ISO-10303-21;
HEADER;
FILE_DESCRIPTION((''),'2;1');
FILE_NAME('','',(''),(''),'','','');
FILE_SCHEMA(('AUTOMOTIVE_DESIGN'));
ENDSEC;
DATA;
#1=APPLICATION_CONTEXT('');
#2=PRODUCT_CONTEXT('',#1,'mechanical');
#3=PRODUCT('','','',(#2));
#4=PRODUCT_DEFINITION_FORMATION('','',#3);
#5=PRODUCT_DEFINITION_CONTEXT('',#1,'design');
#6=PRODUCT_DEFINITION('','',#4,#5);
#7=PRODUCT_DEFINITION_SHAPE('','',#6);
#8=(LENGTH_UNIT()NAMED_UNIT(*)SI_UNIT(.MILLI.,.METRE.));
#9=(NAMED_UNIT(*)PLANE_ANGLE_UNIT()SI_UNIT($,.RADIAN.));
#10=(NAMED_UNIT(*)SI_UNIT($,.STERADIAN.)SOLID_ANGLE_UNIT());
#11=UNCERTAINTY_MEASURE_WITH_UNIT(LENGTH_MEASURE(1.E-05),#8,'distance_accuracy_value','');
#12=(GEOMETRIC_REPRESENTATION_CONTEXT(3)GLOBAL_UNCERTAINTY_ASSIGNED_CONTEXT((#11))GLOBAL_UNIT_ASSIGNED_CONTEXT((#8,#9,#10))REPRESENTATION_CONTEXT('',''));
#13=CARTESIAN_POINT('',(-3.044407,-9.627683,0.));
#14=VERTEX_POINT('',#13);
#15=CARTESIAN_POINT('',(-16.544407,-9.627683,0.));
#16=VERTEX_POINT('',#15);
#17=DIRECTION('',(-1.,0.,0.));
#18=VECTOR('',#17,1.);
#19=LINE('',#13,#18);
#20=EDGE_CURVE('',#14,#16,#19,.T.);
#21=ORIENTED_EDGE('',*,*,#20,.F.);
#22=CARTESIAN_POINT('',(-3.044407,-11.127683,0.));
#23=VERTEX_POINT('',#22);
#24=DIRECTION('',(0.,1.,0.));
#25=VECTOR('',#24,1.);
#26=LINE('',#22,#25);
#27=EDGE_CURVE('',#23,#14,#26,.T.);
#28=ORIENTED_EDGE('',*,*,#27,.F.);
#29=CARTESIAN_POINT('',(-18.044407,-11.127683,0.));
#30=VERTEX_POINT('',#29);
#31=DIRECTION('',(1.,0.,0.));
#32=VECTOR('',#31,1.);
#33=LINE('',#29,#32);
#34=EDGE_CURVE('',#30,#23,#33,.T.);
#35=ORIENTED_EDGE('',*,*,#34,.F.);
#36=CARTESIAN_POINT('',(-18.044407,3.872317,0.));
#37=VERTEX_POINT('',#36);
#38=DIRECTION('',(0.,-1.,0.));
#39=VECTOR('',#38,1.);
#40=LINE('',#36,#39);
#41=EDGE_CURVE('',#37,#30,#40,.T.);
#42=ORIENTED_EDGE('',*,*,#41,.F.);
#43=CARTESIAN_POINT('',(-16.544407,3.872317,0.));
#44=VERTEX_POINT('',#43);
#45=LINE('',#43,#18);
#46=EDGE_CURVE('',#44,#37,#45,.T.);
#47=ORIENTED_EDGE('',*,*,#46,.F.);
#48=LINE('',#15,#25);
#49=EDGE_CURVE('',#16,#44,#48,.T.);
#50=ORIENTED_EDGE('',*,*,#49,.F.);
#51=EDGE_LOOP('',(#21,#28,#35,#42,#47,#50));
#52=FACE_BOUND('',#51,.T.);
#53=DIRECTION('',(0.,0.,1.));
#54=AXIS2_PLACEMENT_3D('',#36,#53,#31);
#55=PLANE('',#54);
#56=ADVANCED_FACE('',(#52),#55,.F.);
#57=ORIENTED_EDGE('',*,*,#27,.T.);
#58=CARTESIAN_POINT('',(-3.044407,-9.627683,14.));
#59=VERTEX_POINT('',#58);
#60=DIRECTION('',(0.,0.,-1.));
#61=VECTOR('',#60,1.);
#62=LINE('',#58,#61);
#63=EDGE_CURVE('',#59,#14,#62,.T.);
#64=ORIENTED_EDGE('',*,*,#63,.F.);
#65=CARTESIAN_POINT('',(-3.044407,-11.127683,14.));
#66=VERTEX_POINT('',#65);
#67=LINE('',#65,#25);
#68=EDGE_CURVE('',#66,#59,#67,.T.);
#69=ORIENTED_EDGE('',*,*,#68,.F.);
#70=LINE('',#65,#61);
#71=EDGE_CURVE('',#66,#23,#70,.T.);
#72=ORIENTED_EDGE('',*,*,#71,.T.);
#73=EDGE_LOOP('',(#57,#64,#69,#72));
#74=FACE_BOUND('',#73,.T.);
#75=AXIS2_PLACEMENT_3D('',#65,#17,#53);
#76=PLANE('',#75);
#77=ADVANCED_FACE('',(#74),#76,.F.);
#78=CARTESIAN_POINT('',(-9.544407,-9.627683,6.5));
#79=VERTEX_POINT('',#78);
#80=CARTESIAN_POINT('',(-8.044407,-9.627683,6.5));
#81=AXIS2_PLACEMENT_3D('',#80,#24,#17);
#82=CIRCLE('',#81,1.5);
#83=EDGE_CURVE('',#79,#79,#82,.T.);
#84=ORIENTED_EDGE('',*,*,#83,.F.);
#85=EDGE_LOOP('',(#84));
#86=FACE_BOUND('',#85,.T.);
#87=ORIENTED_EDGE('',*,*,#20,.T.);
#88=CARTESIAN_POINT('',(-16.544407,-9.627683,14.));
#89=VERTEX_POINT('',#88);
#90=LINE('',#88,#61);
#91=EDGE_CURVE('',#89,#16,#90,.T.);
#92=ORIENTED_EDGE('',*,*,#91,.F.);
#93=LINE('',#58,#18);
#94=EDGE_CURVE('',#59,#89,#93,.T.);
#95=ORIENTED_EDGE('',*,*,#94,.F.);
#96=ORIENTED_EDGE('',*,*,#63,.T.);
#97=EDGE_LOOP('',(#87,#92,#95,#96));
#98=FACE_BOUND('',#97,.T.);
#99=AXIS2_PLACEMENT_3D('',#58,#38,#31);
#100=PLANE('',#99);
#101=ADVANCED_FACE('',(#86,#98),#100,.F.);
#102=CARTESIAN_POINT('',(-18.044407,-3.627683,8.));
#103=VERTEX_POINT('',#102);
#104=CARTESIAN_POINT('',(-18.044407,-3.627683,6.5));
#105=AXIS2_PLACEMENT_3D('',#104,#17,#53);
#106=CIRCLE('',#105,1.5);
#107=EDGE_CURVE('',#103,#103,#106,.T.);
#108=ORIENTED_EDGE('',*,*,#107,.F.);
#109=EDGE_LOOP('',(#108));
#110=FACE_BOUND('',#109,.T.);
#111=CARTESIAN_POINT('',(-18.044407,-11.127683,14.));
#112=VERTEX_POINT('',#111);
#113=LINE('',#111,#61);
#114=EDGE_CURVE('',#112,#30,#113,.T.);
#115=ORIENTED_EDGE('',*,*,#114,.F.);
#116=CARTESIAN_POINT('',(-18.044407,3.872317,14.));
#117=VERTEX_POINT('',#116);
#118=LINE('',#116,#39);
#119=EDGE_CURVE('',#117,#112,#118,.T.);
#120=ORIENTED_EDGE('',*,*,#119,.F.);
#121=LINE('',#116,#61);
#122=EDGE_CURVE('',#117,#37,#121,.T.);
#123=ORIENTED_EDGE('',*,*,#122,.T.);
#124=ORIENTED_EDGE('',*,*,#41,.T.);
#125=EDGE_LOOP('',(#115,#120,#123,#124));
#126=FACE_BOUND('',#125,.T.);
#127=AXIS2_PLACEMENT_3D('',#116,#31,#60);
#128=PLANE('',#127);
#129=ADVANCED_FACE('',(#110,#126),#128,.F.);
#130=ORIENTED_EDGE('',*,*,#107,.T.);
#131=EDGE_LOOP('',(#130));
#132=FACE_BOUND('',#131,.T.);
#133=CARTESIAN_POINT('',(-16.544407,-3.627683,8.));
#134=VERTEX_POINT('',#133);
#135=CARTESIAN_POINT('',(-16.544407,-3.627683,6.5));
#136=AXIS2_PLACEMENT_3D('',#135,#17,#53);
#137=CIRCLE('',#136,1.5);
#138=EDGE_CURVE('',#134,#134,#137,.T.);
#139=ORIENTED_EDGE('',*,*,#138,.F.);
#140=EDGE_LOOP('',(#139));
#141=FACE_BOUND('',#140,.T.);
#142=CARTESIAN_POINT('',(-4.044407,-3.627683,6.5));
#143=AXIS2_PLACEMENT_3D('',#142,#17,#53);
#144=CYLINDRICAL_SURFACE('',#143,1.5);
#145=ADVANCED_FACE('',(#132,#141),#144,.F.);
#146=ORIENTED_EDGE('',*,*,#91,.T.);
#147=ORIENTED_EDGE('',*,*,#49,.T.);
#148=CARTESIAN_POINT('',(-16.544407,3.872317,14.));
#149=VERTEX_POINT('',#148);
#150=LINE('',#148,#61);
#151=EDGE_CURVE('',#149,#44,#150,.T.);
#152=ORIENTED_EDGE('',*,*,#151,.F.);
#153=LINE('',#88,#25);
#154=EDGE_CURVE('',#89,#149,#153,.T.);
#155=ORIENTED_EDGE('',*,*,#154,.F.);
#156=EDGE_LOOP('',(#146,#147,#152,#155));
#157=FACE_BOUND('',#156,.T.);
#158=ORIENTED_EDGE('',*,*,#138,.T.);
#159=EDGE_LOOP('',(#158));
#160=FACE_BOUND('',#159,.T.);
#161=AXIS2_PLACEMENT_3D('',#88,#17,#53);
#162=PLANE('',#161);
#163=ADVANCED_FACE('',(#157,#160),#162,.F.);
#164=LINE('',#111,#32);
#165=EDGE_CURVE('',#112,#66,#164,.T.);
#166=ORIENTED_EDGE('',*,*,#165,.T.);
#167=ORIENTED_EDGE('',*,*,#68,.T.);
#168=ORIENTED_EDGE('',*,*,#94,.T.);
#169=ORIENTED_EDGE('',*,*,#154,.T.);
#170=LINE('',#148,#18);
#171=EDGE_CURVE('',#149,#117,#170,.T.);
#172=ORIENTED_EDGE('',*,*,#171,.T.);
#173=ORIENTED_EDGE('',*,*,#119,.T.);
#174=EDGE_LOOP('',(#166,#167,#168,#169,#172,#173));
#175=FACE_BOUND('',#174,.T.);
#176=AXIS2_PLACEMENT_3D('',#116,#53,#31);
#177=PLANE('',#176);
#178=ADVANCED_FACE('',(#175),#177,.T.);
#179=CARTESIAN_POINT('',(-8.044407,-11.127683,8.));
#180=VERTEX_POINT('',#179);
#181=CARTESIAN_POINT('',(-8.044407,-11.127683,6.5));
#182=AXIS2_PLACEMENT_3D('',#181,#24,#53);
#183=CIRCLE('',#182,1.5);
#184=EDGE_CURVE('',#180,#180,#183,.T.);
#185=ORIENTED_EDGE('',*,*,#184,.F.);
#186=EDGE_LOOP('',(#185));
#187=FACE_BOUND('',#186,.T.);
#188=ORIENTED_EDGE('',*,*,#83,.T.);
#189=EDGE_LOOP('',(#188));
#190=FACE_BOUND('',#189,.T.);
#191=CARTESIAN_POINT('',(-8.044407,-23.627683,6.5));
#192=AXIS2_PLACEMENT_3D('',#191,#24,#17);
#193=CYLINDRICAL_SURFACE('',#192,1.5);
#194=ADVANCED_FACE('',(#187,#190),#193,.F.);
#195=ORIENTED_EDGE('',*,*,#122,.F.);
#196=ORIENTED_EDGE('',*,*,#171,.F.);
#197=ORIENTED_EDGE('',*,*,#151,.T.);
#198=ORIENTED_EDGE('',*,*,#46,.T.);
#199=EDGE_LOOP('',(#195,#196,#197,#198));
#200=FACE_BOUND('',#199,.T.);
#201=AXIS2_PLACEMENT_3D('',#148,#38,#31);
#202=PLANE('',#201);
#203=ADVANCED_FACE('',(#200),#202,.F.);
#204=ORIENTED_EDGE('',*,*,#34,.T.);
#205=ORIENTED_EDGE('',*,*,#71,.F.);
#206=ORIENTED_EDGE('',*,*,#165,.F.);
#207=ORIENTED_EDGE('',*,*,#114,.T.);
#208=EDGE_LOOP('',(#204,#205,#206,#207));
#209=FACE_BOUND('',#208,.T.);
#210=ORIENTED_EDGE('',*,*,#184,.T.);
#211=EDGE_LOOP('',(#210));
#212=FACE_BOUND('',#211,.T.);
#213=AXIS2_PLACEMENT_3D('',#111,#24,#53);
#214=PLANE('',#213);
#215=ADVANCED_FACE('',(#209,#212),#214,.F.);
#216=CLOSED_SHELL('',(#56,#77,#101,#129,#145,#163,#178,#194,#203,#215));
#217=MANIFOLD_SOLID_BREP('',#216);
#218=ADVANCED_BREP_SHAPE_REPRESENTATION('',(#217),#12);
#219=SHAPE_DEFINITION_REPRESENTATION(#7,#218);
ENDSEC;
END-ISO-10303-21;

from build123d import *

# Parameters (mm, degrees)
EXTRUSION1_DEPTH = 14
ESQUISSE2_R      = 1.5
EXTRUSION2_DEPTH = 14
ESQUISSE3_R      = 1.5
EXTRUSION3_DEPTH = 14


with BuildPart() as part:
    # Esquisse1 → Extrusion1 (new body)
    with BuildSketch(Plane.XY):
        Polygon((-18.044406835, 3.872316684), (-18.044406835, -11.127683316), (-3.044406835, -11.127683316), (-3.044406835, -9.627683316), (-16.544406835, -9.627683316), (-16.544406835, 3.872316684), align=None)
    extrude(amount=EXTRUSION1_DEPTH)

    # Esquisse2 → Extrusion2 (cut)
    with BuildSketch(Plane(origin=(0, -9.627683316, 0), x_dir=(-1, 0, 0), z_dir=(0, 1, 0))):
        with Locations((8.044406835, 6.5)):
            Circle(ESQUISSE2_R)
    extrude(amount=-EXTRUSION2_DEPTH, mode=Mode.SUBTRACT)

    # Esquisse3 → Extrusion3 (cut)
    with BuildSketch(Plane.ZY.offset(18.044406835)):
        with Locations((6.5, -3.627683316)):
            Circle(ESQUISSE3_R)
    extrude(amount=-EXTRUSION3_DEPTH, mode=Mode.SUBTRACT)


solid = part.part
